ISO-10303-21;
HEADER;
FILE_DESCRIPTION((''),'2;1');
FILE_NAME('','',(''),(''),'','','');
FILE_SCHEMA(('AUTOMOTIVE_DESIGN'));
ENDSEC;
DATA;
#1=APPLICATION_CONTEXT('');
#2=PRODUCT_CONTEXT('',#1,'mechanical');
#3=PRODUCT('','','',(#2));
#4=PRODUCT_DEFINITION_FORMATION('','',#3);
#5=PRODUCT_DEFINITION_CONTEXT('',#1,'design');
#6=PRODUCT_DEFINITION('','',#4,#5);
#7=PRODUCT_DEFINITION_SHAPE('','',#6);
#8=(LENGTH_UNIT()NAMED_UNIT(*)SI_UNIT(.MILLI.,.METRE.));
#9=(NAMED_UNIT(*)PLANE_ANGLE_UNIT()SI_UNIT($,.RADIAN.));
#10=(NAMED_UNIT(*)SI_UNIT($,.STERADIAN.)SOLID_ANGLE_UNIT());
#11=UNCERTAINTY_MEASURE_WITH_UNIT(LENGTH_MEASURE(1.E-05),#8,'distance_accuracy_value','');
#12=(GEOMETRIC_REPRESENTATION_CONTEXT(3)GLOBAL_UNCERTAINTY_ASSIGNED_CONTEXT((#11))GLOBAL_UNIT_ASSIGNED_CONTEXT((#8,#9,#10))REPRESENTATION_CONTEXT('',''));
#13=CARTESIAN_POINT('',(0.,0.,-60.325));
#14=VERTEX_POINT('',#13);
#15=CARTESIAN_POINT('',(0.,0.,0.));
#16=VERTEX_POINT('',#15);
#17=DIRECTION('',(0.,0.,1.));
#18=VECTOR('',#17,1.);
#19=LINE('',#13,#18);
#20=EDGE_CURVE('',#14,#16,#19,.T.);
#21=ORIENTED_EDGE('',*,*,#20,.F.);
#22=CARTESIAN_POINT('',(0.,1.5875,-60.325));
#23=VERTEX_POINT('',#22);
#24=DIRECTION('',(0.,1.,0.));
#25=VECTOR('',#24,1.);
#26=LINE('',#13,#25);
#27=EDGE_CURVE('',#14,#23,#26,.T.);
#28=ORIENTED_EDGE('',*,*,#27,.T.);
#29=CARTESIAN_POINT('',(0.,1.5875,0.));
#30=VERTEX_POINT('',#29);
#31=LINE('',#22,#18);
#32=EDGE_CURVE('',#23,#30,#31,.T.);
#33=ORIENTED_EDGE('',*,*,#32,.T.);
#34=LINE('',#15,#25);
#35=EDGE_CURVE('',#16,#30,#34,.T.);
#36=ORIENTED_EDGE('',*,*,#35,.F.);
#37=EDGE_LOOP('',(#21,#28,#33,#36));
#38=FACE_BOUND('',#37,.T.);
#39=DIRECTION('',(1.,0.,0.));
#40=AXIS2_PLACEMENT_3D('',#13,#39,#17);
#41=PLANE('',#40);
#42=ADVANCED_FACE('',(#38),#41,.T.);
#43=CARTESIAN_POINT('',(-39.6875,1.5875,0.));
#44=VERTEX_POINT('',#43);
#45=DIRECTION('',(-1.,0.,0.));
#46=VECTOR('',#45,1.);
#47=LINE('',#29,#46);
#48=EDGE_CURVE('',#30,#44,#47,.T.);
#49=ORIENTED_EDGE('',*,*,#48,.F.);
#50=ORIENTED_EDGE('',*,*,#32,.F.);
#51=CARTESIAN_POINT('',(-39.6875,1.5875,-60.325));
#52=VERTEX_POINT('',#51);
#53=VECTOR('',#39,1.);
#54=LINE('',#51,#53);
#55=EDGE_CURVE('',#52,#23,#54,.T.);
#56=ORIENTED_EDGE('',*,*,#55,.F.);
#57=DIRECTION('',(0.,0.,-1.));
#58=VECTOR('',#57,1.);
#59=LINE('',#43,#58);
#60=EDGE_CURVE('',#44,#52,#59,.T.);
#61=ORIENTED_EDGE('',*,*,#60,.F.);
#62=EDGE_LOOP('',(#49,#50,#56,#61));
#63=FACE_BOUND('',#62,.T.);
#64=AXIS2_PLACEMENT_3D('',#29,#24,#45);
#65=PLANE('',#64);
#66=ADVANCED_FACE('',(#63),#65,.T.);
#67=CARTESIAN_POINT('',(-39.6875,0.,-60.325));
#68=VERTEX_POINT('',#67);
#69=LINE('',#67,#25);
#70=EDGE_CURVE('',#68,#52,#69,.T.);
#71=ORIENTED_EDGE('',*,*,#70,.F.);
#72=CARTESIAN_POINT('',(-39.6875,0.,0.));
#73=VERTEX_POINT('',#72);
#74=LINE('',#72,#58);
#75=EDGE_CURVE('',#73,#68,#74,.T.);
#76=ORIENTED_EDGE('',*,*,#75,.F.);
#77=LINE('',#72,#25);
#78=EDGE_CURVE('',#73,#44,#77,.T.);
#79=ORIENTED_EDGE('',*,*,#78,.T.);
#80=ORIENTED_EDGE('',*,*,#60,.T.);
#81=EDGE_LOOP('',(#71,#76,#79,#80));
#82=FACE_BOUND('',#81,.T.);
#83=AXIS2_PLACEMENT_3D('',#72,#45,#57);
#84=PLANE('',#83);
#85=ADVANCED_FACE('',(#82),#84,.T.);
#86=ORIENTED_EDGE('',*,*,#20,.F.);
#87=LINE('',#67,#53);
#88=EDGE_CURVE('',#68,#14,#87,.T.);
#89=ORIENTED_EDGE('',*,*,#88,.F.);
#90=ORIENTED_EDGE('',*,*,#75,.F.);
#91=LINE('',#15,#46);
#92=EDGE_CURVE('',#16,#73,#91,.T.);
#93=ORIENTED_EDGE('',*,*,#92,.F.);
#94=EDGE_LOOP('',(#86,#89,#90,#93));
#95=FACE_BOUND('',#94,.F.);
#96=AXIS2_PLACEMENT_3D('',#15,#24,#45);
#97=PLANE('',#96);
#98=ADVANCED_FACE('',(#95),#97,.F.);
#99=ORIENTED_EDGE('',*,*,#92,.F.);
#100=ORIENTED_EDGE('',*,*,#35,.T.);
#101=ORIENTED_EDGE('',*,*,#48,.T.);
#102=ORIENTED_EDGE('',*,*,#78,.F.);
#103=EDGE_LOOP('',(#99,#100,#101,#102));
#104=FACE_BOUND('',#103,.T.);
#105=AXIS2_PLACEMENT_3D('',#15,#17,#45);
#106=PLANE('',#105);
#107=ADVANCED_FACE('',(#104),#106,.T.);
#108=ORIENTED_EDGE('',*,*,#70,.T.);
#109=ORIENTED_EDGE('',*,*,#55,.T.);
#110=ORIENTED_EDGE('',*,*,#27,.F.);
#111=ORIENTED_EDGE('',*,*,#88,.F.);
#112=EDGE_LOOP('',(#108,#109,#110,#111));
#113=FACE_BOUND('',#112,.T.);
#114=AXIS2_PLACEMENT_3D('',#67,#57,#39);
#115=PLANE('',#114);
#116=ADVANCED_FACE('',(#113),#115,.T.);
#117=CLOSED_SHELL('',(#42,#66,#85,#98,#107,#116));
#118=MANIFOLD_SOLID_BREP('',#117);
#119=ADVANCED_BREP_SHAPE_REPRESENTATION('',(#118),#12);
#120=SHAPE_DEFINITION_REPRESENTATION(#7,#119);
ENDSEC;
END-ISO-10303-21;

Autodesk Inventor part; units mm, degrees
ref_plane "YZ Plane" through (0, 0, 0) normal (1, 0, 0) x (0, 1, 0)
ref_plane "XZ Plane" through (0, 0, 0) normal (0, 1, 0) x (-1, 0, 0)
ref_plane "XY Plane" through (0, 0, 0) normal (0, 0, 1) x (1, 0, 0)
sketch "Sketch1" plane through (0, 0, 0) normal (0, 1, 0) x (-1, 0, 0)
  line L0 (0, 0) -> (39.6875, 0)
  line L1 (39.6875, 0) -> (39.6875, -60.325)
  line L2 (39.6875, -60.325) -> (0, -60.325)
  line L3 (0, -60.325) -> (0, 0)
  dimension "d0" = 39.6875
  dimension "d1" = 60.325
extrude "Extrusion1" add sketch "Sketch1" along normal blind 1.5875
properties part number "pcb"
